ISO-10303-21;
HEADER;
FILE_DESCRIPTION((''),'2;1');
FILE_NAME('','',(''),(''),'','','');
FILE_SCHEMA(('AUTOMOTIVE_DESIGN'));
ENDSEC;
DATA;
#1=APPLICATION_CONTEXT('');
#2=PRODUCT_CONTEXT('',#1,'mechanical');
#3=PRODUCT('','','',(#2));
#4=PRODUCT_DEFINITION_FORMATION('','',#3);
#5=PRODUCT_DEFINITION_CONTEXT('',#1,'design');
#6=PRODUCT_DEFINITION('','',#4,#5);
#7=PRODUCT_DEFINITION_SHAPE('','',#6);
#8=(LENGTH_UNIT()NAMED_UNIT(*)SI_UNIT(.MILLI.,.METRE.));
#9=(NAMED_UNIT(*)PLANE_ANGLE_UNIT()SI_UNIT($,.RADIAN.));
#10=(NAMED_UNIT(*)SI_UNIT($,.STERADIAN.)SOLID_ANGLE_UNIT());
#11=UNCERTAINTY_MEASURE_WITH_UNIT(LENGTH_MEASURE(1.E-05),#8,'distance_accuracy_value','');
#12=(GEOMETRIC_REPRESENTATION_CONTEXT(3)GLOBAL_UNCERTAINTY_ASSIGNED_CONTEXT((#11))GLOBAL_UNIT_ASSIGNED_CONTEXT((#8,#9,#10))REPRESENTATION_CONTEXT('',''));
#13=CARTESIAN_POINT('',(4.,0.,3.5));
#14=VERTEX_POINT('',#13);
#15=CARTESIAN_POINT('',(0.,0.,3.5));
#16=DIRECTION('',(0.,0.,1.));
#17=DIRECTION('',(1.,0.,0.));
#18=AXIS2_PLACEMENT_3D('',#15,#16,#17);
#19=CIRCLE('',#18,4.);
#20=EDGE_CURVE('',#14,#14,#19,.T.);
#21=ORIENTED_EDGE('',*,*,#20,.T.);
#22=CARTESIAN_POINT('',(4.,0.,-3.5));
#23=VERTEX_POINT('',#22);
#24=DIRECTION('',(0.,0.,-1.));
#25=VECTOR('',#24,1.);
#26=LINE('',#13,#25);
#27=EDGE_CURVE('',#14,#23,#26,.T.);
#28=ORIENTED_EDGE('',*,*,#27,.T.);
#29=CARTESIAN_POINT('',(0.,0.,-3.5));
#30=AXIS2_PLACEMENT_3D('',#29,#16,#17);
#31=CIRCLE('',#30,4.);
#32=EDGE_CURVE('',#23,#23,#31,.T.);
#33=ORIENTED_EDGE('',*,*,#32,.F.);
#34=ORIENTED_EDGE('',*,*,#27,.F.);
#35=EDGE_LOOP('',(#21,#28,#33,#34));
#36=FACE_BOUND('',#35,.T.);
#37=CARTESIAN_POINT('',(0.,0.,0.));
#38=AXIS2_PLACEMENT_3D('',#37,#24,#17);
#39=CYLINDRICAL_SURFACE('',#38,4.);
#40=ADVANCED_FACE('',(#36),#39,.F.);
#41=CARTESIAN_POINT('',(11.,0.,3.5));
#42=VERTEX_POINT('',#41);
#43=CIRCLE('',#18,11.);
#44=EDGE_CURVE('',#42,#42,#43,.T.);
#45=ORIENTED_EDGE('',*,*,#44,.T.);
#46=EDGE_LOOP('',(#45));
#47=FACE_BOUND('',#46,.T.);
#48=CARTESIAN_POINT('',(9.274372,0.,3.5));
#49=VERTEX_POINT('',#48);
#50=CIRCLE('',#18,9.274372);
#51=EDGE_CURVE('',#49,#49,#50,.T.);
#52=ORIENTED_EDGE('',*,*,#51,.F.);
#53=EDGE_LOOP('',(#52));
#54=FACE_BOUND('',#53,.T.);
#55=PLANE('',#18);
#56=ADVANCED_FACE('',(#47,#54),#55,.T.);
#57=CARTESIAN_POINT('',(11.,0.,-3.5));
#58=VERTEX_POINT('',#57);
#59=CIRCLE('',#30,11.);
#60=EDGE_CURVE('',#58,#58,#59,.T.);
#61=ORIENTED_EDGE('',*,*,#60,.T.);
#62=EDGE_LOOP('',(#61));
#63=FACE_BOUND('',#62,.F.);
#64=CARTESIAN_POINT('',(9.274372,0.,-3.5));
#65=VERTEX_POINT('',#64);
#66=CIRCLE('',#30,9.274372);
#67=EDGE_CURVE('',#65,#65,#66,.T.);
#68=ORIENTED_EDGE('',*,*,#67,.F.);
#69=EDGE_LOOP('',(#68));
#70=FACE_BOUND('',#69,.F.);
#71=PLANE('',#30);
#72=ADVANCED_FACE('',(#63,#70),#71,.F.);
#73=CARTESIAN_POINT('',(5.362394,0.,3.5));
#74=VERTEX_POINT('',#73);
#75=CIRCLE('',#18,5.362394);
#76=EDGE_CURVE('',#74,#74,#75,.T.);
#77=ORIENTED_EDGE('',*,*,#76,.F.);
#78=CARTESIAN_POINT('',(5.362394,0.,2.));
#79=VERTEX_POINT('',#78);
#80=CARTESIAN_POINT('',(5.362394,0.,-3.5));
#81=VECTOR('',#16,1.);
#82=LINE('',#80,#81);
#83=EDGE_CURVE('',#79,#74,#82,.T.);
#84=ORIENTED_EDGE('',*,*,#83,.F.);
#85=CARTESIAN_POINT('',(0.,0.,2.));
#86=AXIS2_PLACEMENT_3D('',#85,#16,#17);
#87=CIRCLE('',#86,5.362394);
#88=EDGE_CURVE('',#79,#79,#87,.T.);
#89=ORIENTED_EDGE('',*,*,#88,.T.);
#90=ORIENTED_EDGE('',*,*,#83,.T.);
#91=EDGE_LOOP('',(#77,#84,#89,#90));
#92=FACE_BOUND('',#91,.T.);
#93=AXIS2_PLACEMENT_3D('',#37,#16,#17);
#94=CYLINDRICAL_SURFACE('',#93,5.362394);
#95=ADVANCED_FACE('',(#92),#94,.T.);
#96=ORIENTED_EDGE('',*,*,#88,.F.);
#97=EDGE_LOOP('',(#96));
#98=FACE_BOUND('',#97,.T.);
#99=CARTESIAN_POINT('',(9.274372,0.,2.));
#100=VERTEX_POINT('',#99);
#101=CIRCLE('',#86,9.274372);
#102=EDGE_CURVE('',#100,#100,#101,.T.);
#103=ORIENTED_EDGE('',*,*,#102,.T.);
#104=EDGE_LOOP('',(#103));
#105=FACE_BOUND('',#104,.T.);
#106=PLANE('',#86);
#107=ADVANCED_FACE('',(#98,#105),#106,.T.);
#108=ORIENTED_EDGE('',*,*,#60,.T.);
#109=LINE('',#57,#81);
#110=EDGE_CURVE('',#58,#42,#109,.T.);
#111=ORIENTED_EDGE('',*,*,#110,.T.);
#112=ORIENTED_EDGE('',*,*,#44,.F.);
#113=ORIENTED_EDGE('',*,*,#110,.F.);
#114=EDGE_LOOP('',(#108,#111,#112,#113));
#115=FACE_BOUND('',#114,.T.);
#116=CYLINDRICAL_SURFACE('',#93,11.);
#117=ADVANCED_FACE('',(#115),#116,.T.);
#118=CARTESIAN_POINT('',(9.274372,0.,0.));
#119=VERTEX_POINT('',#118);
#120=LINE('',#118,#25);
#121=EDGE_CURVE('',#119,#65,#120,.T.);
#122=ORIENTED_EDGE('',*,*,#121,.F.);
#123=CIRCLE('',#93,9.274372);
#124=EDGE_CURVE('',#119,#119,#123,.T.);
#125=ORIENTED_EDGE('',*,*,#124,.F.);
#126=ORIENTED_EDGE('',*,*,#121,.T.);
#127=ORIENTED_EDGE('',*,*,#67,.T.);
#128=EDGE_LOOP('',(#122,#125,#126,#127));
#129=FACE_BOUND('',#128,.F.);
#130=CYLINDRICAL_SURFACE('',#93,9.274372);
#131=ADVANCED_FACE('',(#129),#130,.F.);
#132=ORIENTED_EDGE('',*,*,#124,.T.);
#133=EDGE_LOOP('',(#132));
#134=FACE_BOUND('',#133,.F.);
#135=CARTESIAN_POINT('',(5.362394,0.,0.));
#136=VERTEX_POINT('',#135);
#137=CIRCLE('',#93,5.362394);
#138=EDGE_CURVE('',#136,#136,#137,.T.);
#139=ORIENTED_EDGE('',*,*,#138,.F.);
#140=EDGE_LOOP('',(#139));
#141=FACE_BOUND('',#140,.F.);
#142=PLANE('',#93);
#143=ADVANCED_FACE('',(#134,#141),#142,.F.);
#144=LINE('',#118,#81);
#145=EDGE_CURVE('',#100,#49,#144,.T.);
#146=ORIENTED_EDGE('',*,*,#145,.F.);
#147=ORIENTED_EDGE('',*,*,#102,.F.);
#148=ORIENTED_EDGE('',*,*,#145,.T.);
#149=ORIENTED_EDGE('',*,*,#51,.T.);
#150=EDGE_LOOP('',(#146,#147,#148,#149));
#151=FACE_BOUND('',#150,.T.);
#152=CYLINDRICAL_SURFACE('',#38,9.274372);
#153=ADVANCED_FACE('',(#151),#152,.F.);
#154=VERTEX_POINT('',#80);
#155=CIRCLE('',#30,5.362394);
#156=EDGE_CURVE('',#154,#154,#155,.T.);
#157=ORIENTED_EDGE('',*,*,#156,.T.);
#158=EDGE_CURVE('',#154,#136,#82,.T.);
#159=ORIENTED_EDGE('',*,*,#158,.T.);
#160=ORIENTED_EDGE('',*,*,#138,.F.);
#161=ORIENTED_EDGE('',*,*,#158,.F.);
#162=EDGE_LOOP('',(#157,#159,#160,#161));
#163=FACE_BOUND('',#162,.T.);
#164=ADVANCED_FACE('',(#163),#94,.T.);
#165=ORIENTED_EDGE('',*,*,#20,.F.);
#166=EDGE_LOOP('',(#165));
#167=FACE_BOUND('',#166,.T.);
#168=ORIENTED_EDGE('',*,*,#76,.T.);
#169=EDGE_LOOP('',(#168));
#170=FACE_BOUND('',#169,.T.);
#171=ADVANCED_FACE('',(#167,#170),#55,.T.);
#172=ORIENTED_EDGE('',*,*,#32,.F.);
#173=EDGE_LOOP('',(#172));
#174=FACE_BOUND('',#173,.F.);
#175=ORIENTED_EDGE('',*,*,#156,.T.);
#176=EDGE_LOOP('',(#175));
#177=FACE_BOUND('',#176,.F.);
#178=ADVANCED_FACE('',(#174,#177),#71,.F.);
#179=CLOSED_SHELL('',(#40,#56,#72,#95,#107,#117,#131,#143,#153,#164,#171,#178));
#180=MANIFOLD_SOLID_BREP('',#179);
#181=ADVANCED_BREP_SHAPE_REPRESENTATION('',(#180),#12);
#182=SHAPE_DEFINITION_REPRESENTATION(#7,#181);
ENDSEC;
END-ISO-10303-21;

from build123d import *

# Parameters (mm, degrees)
F0_R     = 11
F0_R_2   = 9.274372
F0_R_3   = 5.362394
F0_R_4   = 4
F1_DEPTH = 3.5
F2_DEPTH = 2


with BuildPart() as f1:
    # F0 (on Top) → F1 (new body, symmetric)
    with BuildSketch(Plane.XY):
        Circle(F0_R)
        Circle(F0_R_2, mode=Mode.SUBTRACT)
        Circle(F0_R_3)
        Circle(F0_R_4, mode=Mode.SUBTRACT)
    extrude(amount=F1_DEPTH, both=True)

    # F0 (on Top) → F2 (join)
    with BuildSketch(Plane.XY):
        Circle(F0_R_2)
        Circle(F0_R_3, mode=Mode.SUBTRACT)
    extrude(amount=F2_DEPTH)


solid = f1.part
